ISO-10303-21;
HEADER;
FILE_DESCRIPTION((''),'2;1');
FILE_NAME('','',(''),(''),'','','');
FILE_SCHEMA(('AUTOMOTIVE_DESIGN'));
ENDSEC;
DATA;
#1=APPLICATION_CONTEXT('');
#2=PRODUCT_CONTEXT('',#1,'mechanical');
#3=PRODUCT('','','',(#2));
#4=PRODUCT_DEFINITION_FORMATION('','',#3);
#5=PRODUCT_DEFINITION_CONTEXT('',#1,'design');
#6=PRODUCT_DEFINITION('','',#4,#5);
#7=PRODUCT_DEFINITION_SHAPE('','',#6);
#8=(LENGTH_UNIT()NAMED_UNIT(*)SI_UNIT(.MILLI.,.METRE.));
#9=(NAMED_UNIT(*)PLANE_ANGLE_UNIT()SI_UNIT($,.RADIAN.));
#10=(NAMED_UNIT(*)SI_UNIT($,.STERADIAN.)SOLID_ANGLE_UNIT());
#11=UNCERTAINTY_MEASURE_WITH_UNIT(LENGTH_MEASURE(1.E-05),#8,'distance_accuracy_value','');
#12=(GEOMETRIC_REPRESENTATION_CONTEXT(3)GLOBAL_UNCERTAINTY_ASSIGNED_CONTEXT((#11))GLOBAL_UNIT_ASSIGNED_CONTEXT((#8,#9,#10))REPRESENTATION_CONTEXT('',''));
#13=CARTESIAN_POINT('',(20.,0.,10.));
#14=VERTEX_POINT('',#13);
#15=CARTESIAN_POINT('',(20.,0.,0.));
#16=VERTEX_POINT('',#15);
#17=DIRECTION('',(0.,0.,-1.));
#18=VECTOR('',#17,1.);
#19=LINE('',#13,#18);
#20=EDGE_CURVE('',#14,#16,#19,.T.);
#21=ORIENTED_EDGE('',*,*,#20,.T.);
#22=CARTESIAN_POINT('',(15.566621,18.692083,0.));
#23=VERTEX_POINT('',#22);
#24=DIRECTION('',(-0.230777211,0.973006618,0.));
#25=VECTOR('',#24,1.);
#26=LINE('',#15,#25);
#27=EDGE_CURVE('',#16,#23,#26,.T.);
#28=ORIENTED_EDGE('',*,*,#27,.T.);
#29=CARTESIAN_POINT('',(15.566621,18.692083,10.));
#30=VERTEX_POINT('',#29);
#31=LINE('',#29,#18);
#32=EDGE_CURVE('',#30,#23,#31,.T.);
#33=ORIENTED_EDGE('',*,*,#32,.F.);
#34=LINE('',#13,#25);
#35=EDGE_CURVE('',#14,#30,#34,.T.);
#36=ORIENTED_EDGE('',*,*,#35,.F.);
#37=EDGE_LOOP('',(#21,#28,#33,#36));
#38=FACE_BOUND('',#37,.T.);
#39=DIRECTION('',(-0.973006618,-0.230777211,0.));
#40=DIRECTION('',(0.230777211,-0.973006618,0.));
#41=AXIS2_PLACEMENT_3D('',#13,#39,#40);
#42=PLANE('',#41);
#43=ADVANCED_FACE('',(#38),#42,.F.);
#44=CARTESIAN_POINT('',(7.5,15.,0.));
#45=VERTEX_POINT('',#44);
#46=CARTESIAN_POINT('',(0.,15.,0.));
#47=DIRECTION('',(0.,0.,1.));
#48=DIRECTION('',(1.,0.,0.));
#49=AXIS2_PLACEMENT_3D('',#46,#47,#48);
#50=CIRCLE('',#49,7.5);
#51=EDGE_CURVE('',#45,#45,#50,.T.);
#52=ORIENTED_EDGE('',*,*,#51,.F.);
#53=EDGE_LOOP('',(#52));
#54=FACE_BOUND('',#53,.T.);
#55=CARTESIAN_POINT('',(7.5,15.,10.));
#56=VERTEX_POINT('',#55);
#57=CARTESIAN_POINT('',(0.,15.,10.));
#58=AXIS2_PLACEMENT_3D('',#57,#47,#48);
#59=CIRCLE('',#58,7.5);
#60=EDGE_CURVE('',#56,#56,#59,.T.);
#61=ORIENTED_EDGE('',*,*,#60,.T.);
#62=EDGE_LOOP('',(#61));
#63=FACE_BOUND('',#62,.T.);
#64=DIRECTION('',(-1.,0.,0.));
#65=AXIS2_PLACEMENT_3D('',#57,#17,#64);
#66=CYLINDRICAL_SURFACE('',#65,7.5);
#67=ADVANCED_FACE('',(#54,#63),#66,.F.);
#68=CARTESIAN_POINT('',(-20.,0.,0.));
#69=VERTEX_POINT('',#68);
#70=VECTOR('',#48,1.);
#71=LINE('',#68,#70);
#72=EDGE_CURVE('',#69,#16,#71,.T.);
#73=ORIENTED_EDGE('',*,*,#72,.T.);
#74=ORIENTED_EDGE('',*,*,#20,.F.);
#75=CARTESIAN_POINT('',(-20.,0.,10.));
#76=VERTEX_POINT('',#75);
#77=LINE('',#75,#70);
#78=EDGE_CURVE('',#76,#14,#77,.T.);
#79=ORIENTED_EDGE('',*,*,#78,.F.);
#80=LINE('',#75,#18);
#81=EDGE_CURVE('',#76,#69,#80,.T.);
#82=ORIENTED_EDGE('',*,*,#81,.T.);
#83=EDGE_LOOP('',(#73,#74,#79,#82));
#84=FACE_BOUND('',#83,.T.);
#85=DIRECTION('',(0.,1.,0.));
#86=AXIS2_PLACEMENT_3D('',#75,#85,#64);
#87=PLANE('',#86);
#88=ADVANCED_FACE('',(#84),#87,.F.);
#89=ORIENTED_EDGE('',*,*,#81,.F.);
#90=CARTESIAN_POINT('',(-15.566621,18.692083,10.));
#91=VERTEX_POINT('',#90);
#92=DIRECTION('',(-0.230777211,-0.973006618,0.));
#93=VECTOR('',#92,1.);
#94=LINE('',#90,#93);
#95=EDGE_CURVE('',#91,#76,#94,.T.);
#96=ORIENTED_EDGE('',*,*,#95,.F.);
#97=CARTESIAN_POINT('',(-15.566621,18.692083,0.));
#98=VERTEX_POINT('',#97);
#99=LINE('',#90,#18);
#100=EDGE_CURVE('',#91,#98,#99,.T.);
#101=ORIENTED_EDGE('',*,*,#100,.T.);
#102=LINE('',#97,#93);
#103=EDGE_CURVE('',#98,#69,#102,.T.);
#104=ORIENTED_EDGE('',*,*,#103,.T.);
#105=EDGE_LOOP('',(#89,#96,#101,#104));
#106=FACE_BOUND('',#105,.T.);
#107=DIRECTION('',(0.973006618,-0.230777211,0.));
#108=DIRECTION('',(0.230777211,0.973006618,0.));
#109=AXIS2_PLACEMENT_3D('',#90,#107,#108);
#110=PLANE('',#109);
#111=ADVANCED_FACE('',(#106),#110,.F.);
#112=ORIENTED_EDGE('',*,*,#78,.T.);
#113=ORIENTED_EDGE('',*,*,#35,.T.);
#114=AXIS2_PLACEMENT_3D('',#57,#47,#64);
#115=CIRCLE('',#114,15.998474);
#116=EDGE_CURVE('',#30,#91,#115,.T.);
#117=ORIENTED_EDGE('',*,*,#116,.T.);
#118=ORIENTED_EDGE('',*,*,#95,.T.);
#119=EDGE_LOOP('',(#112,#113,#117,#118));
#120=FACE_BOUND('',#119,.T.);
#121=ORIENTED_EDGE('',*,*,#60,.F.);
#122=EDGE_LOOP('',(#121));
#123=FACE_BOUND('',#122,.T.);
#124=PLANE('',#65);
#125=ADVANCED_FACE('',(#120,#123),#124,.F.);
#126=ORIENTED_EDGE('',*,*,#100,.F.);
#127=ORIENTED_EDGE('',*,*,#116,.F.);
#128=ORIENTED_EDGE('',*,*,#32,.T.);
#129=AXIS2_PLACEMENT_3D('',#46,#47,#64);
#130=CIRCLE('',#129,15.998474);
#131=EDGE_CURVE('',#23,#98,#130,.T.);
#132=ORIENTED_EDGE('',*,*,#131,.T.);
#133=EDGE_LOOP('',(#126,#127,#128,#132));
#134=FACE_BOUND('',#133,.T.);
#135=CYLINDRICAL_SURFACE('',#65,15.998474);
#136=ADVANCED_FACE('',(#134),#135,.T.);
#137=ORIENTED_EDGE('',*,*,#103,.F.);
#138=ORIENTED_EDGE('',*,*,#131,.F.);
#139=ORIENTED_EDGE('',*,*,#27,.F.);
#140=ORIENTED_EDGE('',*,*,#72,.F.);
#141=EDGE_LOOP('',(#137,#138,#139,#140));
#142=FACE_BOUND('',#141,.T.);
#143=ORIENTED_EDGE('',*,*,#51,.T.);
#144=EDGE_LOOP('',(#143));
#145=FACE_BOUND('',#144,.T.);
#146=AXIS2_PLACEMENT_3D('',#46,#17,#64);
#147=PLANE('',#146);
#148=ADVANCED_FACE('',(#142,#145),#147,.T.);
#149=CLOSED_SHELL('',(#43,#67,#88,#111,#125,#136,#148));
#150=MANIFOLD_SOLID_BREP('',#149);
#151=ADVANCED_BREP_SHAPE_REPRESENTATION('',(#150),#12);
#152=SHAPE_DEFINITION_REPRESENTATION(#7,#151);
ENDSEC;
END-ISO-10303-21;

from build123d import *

# Parameters (mm, degrees)
SKETCH1_R           = 7.5
BOSS_EXTRUDE1_DEPTH = 10


with BuildPart() as part:
    # Sketch1 → Boss-Extrude1 (new body)
    with BuildSketch(Plane.XY):
        with BuildLine():
            Line((-20, 0), (20, 0))
            Line((20, 0), (15.56662128, 18.692083252))
            ThreePointArc((15.56662128, 18.692083252), (0, 30.998474203), (-15.56662128, 18.692083252))
            Line((-15.56662128, 18.692083252), (-20, 0))
        make_face()
        with Locations((0, 15)):
            Circle(SKETCH1_R, mode=Mode.SUBTRACT)
    extrude(amount=BOSS_EXTRUDE1_DEPTH)


solid = part.part
